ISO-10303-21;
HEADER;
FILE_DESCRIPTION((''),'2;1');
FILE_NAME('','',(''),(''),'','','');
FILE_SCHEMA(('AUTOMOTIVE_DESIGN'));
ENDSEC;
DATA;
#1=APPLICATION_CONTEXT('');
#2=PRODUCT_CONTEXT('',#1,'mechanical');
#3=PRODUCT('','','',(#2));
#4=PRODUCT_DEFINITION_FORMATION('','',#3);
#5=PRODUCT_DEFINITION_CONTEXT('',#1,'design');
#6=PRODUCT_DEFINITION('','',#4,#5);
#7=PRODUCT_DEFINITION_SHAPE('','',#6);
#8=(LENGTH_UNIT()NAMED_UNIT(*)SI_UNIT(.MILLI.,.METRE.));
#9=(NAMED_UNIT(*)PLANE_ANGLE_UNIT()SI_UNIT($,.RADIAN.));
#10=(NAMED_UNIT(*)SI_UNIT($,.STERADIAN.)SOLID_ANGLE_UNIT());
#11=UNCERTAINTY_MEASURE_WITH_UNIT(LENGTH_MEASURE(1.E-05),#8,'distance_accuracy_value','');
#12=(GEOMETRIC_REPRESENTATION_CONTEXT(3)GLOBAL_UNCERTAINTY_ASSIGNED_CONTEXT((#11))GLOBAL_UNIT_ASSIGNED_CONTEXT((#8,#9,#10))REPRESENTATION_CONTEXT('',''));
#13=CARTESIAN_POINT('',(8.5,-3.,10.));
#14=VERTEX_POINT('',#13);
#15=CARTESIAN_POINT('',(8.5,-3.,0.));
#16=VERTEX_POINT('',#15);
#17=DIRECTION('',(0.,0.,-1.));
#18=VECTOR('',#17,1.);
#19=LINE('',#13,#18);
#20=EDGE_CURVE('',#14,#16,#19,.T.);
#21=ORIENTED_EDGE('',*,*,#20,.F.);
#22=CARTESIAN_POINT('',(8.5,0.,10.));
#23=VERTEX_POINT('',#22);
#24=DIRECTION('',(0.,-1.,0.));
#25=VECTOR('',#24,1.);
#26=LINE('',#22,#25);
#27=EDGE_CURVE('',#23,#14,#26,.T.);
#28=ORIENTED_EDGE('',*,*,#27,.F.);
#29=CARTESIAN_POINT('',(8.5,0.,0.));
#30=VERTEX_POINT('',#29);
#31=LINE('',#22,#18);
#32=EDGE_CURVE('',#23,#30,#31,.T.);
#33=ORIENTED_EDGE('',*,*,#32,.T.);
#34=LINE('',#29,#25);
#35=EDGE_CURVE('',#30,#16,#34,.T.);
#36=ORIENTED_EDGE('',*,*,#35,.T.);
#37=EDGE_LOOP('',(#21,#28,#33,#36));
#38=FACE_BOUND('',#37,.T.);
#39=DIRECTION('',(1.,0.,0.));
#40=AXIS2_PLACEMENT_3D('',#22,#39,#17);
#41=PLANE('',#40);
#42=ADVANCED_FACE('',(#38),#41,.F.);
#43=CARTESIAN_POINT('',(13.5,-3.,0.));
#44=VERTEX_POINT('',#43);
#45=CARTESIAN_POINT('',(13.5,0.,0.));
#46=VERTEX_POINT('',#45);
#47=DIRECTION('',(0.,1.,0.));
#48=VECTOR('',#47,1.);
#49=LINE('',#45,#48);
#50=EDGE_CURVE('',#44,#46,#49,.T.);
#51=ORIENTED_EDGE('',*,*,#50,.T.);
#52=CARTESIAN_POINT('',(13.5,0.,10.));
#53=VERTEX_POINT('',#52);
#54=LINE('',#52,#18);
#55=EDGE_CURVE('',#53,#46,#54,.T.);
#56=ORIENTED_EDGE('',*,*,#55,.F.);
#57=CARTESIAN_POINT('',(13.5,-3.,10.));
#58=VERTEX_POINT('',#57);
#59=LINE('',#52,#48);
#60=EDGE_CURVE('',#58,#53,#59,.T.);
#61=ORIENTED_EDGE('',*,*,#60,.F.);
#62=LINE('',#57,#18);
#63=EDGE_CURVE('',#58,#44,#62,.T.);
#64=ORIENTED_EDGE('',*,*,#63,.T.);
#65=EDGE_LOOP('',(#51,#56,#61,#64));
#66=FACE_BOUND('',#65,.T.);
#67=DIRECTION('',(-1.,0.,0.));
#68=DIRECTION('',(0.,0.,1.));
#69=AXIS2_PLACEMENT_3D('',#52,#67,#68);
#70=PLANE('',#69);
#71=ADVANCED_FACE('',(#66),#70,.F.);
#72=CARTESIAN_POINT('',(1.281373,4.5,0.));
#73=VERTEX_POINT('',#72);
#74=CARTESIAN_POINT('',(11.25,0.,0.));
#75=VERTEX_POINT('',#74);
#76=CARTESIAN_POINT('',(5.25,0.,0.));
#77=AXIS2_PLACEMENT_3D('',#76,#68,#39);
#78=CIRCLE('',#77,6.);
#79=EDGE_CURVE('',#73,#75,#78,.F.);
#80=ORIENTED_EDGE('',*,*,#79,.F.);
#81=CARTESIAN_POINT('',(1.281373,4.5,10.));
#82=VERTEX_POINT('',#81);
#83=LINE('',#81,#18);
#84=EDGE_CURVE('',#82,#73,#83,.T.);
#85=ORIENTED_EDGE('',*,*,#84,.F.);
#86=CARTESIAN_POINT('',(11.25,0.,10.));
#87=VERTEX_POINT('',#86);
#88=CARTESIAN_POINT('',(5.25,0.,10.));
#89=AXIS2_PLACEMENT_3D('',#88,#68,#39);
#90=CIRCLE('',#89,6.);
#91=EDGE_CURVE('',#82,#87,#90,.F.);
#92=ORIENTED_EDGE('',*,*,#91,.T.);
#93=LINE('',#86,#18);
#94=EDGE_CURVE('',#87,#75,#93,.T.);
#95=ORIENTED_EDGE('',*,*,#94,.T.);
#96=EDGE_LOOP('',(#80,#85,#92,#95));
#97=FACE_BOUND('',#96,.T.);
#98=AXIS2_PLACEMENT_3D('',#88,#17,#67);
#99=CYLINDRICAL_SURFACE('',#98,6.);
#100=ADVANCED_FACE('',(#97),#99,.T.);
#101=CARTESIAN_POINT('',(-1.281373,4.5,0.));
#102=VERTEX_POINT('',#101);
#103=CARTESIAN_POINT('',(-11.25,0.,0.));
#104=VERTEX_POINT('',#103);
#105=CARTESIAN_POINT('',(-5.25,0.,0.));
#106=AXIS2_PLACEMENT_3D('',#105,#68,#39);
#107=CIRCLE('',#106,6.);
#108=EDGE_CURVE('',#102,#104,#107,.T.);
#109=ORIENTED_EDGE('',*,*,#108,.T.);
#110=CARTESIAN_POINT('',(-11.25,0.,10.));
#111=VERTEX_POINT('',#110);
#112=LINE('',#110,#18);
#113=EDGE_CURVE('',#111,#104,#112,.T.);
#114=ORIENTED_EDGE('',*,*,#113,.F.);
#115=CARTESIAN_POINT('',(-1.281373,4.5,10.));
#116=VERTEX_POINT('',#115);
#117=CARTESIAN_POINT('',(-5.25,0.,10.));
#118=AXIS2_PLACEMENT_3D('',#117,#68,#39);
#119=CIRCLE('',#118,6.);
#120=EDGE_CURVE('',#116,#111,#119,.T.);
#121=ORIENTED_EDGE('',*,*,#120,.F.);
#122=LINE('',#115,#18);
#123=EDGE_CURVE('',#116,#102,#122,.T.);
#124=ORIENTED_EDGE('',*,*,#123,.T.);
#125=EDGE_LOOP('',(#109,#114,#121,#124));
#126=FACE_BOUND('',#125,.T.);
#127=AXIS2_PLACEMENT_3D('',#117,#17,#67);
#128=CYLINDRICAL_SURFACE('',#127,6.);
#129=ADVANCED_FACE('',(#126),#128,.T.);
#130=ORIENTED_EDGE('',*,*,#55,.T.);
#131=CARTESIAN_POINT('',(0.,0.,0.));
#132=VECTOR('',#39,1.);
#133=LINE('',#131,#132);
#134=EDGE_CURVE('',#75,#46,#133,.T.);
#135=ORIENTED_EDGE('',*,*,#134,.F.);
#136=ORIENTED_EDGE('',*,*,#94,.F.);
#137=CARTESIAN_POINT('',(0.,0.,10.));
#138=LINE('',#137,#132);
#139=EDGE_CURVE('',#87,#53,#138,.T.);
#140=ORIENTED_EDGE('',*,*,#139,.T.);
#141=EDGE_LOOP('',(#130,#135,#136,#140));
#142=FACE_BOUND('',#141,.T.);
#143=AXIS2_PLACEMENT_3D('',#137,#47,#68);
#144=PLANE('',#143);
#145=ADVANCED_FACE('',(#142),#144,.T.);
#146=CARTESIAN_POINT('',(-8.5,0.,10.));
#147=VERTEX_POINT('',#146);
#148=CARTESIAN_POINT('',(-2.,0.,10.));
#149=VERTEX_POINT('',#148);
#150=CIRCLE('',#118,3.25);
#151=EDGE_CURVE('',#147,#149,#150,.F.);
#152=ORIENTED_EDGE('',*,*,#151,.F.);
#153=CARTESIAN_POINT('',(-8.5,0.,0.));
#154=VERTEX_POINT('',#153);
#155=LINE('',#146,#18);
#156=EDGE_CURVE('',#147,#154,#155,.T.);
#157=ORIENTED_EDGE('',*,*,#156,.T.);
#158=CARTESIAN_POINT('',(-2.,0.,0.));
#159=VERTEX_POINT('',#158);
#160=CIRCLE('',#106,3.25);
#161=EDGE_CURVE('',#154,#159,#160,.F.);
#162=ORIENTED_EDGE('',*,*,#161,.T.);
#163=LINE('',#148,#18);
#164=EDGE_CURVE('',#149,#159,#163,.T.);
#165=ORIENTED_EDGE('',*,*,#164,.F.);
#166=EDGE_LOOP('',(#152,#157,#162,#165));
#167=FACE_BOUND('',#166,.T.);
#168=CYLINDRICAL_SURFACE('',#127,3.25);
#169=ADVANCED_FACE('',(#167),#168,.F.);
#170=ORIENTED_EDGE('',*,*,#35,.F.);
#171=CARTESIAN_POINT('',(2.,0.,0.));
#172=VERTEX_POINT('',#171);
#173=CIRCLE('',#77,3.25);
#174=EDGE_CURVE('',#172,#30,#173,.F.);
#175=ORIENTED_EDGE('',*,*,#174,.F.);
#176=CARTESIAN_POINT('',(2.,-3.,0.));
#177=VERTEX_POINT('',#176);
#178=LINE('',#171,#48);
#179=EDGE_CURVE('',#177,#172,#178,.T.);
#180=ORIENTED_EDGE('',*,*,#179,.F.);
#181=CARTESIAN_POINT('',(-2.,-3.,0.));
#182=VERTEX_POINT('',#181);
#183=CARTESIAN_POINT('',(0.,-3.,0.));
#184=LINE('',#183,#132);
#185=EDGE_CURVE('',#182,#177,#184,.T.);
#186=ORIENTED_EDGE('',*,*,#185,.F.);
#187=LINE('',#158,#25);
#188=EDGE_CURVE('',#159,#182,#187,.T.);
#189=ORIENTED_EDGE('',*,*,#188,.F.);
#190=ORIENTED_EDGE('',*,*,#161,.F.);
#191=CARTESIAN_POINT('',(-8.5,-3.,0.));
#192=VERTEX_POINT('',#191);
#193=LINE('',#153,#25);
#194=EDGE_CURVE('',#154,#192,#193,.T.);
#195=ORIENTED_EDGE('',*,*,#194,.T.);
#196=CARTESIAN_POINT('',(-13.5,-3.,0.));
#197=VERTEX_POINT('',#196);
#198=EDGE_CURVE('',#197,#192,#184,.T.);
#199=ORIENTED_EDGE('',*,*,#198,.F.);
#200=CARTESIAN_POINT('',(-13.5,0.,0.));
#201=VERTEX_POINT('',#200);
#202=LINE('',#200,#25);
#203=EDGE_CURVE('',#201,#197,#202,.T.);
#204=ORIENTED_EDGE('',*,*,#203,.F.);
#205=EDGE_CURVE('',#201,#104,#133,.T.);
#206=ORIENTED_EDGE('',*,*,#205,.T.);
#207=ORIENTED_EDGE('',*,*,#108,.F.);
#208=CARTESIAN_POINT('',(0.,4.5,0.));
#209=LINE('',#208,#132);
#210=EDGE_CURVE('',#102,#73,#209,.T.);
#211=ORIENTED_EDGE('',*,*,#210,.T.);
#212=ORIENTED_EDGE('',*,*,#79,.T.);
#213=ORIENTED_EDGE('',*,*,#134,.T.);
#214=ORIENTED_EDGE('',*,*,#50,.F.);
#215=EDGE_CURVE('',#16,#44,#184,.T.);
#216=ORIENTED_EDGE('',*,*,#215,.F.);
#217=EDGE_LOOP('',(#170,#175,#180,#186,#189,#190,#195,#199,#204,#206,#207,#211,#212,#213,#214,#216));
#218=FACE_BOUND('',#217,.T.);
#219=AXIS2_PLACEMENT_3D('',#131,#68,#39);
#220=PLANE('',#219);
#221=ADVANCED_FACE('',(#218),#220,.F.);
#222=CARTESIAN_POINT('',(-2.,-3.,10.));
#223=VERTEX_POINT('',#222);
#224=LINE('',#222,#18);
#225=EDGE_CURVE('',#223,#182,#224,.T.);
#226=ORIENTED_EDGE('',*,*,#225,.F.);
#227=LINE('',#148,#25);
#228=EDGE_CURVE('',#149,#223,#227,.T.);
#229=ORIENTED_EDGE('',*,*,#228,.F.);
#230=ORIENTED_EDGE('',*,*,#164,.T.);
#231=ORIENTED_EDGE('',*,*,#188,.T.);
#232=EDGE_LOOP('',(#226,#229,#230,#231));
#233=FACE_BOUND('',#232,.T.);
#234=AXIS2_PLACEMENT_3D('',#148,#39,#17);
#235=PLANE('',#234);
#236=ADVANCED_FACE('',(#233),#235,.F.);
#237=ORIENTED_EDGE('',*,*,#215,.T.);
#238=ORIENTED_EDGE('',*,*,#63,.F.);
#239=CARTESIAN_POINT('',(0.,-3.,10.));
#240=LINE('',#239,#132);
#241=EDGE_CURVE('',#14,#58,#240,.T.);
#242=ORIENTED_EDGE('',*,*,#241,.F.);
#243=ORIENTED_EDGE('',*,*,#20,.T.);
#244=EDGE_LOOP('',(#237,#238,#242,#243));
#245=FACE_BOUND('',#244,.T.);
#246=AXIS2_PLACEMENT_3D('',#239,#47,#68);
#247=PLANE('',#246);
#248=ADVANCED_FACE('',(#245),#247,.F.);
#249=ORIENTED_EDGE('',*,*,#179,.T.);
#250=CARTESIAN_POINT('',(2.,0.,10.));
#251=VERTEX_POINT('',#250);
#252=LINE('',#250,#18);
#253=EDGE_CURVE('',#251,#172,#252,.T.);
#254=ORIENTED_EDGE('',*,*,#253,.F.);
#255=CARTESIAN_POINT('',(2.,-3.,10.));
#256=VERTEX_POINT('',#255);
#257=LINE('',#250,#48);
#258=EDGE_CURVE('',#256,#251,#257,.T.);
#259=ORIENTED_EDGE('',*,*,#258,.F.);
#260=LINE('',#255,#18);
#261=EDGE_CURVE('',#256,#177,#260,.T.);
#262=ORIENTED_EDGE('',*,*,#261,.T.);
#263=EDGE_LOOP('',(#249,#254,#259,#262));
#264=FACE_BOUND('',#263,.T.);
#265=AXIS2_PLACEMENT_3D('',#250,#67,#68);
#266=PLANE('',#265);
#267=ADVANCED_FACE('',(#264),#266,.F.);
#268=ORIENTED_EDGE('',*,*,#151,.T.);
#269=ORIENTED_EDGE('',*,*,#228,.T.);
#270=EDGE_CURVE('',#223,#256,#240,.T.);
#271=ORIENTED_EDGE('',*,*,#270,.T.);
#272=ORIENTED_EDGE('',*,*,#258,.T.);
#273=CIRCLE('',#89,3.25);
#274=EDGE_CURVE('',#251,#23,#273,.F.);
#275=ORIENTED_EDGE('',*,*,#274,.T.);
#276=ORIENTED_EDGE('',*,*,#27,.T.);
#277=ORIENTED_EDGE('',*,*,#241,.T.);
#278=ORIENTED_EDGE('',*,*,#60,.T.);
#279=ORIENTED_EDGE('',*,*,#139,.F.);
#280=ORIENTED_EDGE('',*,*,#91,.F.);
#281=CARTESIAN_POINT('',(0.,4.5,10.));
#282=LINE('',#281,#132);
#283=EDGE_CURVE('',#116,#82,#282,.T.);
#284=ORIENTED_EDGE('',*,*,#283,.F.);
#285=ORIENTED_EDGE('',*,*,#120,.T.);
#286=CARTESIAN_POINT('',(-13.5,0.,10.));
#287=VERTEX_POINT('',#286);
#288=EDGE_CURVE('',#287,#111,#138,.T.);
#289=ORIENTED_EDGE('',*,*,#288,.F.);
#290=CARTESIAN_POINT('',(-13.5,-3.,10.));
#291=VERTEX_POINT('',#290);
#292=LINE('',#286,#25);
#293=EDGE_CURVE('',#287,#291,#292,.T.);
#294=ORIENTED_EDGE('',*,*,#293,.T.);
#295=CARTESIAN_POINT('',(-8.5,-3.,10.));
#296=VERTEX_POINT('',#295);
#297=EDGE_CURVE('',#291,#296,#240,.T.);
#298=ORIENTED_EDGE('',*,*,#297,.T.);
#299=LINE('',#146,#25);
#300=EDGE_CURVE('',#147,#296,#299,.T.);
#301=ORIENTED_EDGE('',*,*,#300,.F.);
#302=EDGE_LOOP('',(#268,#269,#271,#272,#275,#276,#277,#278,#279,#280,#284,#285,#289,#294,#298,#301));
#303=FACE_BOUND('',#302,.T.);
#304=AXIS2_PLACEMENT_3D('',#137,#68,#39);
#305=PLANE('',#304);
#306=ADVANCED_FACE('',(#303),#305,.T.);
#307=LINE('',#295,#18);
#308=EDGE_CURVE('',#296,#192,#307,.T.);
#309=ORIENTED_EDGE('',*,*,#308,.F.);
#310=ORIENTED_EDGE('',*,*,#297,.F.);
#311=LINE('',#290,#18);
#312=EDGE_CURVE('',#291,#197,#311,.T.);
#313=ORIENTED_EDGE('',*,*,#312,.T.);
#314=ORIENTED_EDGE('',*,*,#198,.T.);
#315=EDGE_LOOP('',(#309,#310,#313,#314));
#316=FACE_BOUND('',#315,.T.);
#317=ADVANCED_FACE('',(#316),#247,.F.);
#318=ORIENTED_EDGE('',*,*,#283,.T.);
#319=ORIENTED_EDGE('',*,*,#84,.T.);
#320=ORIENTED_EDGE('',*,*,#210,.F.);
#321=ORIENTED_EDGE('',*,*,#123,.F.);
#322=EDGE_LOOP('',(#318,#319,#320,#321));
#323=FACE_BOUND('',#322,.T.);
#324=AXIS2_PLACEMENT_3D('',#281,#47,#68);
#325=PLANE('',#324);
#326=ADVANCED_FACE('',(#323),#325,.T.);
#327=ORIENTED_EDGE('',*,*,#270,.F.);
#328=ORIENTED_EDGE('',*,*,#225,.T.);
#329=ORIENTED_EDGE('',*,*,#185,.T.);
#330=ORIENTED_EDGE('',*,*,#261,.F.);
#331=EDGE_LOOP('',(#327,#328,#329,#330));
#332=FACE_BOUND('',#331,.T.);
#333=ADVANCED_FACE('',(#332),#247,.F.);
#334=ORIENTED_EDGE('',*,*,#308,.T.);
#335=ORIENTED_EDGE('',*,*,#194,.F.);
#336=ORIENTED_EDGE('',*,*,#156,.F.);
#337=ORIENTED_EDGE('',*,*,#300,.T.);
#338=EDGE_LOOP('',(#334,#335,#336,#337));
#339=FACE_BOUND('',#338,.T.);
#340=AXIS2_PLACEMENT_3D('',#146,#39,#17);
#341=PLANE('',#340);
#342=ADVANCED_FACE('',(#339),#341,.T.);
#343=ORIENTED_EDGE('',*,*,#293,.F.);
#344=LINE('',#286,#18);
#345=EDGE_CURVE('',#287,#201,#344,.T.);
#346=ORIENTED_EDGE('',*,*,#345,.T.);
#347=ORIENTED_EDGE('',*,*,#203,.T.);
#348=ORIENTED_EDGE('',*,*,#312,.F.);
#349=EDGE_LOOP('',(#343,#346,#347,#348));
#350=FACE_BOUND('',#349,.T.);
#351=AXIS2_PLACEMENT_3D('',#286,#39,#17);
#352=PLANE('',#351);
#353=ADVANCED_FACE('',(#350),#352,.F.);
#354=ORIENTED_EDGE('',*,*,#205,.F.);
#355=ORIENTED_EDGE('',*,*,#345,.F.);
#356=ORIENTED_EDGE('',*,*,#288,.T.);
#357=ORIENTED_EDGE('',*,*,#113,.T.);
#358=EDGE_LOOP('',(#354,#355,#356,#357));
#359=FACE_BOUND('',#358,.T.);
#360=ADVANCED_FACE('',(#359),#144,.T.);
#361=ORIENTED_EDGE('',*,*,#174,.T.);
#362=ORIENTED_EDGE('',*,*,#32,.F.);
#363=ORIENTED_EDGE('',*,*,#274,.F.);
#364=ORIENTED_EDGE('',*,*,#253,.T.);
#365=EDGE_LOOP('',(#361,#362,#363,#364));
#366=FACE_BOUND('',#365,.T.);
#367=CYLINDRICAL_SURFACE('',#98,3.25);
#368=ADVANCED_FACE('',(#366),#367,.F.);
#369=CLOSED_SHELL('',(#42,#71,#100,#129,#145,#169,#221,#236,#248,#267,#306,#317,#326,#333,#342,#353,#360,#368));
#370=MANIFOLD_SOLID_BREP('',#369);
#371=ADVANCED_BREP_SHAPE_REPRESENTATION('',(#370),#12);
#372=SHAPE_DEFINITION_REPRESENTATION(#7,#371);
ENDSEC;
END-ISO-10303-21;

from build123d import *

# Parameters (mm, degrees)
SKETCH1_W           = 5
SKETCH1_H           = 3
BOSS_EXTRUDE1_DEPTH = 10


with BuildPart() as part:
    # Sketch1 → Boss-Extrude1 (new body)
    with BuildSketch(Plane.XY):
        with BuildLine():
            ThreePointArc((2, 0), (5.25, 3.25), (8.5, 0))
            Line((8.5, 0), (11.25, 0))
            ThreePointArc((11.25, 0), (7.718626967, 5.468626967), (1.281373033, 4.5))
            Line((1.281373033, 4.5), (-1.281373033, 4.5))
            ThreePointArc((-1.281373033, 4.5), (-7.718626967, 5.468626967), (-11.25, 0))
            Line((-11.25, 0), (-13.5, 0))
            Line((-13.5, 0), (-13.5, -3))
            Line((-13.5, -3), (-8.5, -3))
            Line((-8.5, -3), (-8.5, 0))
            ThreePointArc((-8.5, 0), (-5.25, 3.25), (-2, 0))
            Line((-2, 0), (-2, -3))
            Line((-2, -3), (2, -3))
            Line((2, -3), (2, 0))
        make_face()
        with Locations((11, -1.5)):
            Rectangle(SKETCH1_W, SKETCH1_H)
    extrude(amount=BOSS_EXTRUDE1_DEPTH)


solid = part.part
